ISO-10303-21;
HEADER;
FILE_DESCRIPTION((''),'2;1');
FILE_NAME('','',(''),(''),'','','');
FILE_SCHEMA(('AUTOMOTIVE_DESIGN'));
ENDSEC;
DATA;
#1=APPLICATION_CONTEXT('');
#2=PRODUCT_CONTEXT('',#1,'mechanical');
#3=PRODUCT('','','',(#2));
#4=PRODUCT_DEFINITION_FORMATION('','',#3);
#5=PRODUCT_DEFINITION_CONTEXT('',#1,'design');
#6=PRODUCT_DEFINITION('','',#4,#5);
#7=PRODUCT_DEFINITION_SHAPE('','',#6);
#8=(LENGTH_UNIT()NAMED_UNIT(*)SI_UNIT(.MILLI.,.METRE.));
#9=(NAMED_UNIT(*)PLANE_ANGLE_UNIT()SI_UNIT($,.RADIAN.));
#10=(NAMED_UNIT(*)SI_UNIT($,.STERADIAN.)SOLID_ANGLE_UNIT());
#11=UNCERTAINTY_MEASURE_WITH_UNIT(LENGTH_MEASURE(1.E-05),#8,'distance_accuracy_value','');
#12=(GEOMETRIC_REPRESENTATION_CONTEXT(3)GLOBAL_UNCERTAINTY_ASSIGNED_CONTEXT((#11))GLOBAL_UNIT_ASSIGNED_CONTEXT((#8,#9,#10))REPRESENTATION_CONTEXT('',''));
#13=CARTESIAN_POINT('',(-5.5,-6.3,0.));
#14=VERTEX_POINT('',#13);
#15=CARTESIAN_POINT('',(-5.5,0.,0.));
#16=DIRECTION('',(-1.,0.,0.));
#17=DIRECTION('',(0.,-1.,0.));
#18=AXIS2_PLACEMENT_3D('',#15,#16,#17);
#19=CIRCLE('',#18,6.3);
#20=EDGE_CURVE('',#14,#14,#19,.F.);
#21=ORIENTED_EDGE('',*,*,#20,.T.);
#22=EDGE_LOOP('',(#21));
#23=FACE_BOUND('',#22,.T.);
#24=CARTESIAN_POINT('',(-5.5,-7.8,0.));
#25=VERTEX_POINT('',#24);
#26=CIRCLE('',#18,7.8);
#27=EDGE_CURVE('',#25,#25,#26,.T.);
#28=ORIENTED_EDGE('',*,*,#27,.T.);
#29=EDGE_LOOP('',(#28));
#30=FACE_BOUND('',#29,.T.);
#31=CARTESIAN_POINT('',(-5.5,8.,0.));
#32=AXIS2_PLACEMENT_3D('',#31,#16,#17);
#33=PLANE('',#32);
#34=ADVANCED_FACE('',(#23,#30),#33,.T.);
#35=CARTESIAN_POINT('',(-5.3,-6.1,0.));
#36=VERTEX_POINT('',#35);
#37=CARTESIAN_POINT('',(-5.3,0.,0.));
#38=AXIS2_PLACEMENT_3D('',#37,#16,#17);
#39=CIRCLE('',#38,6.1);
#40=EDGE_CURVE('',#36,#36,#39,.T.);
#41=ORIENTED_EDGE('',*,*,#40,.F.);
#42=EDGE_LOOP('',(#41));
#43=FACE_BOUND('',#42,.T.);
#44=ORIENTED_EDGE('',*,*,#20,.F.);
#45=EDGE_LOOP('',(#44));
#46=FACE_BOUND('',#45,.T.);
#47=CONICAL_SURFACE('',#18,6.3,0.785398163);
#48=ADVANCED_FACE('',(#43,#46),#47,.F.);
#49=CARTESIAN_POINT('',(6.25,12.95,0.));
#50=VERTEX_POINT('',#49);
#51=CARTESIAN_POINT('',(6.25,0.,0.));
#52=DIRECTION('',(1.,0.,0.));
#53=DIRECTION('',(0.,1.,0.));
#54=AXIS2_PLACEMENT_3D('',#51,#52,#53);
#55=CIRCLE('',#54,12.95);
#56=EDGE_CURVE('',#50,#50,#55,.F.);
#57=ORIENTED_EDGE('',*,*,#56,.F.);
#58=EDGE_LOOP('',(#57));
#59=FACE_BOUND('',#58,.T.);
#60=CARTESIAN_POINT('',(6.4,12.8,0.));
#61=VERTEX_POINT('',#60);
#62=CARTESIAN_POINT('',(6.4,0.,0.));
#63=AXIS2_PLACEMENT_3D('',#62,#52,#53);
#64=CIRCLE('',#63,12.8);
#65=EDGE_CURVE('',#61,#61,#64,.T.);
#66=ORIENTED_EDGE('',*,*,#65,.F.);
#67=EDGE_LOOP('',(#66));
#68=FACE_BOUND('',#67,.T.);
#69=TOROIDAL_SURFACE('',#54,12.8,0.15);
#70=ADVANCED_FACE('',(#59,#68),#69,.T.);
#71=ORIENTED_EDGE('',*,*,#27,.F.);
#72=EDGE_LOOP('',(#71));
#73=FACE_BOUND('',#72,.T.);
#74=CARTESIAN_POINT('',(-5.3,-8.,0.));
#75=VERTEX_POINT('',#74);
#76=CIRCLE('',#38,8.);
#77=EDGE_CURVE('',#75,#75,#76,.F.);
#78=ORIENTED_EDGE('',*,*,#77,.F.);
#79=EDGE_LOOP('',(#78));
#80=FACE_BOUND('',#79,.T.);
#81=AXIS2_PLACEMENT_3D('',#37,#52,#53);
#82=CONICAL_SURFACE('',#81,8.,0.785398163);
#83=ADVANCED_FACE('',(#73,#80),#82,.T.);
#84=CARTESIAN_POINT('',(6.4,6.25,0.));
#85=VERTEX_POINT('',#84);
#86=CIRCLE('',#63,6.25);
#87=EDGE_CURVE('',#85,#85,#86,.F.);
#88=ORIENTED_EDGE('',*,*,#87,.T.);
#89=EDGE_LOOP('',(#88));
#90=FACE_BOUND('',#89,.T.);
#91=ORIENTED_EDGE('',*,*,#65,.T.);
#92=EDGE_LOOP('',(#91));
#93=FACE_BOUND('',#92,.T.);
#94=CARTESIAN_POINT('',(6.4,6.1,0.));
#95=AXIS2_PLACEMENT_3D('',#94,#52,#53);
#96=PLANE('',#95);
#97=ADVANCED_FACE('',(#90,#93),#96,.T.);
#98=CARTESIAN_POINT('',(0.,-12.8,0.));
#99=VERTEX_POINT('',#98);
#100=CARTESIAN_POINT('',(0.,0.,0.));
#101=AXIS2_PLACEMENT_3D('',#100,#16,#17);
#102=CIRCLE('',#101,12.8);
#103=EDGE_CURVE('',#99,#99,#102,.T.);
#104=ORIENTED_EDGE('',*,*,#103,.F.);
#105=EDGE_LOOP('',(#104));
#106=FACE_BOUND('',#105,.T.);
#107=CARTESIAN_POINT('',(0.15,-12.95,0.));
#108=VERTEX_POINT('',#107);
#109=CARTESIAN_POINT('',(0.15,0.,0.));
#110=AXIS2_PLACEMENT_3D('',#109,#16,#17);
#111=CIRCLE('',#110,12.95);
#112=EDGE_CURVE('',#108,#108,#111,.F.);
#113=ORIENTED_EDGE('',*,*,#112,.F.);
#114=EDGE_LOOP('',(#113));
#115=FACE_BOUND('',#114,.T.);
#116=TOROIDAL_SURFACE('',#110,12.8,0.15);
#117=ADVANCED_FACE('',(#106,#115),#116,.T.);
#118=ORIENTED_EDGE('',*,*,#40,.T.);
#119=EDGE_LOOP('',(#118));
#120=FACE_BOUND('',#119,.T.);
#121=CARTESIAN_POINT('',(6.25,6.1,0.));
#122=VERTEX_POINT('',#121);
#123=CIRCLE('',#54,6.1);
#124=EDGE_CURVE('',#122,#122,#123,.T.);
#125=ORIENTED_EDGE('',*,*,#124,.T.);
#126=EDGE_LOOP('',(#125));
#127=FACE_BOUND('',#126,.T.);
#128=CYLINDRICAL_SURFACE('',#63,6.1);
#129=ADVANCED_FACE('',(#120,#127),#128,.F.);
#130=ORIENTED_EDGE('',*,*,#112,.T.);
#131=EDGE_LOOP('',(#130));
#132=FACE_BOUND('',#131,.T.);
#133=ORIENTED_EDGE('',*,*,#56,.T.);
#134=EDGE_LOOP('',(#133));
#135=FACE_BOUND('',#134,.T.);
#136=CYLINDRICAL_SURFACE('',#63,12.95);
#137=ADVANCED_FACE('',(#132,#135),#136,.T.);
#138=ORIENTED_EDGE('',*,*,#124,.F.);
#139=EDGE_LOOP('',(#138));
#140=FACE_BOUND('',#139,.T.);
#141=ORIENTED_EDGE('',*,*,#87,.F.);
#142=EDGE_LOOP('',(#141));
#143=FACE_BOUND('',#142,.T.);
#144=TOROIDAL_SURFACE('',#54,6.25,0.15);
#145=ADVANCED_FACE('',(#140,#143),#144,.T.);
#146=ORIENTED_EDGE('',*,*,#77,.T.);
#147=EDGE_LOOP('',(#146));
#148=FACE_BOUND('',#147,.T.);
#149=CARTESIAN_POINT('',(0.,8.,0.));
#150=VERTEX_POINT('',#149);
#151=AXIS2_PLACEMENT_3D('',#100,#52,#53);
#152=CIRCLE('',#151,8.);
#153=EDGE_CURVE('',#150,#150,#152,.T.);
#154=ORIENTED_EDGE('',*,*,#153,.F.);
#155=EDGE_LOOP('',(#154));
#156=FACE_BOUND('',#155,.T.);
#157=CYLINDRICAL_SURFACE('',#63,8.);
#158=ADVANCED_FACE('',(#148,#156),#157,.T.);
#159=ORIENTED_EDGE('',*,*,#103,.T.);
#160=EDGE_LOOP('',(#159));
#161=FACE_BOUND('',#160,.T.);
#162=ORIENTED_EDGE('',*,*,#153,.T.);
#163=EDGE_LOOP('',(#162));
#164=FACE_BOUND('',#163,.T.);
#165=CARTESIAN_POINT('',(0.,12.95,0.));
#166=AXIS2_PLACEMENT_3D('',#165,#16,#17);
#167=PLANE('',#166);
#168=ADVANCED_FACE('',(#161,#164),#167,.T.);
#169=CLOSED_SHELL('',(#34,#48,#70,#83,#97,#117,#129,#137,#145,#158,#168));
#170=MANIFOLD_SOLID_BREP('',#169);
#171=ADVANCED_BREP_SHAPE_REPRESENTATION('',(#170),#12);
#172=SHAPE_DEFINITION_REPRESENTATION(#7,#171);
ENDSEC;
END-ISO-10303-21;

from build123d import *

# Parameters (mm, degrees)
FILLET1_R     = 0.15
FILLET2_R     = 0.15
CHAMFER1_SIZE = 0.2


with BuildPart() as part:
    # Sketch1 → Revolve1 (revolve)
    with BuildSketch(Plane.XY):
        Polygon((0, 12.95), (0, 8), (-5.5, 8), (-5.5, 6.1), (6.4, 6.1), (6.4, 12.95), align=None)
    revolve(axis=Axis((6.4, 0, 0), (-1, 0, 0)))

    # Fillet1
    fillet1_edges = [part.edges().sort_by_distance(p)[0] for p in [
        (0, -12.95, 0),
        (6.4, -12.95, 0),
    ]]
    fillet(fillet1_edges, radius=FILLET1_R)

    # Fillet2
    fillet2_edges = [part.edges().sort_by_distance(p)[0] for p in [
        (6.4, -6.1, 0),
    ]]
    fillet(fillet2_edges, radius=FILLET2_R)

    # Chamfer1
    chamfer1_edges = [part.edges().sort_by_distance(p)[0] for p in [
        (-5.5, -6.1, 0),
        (-5.5, -8, 0),
    ]]
    chamfer(chamfer1_edges, length=CHAMFER1_SIZE)


solid = part.part
